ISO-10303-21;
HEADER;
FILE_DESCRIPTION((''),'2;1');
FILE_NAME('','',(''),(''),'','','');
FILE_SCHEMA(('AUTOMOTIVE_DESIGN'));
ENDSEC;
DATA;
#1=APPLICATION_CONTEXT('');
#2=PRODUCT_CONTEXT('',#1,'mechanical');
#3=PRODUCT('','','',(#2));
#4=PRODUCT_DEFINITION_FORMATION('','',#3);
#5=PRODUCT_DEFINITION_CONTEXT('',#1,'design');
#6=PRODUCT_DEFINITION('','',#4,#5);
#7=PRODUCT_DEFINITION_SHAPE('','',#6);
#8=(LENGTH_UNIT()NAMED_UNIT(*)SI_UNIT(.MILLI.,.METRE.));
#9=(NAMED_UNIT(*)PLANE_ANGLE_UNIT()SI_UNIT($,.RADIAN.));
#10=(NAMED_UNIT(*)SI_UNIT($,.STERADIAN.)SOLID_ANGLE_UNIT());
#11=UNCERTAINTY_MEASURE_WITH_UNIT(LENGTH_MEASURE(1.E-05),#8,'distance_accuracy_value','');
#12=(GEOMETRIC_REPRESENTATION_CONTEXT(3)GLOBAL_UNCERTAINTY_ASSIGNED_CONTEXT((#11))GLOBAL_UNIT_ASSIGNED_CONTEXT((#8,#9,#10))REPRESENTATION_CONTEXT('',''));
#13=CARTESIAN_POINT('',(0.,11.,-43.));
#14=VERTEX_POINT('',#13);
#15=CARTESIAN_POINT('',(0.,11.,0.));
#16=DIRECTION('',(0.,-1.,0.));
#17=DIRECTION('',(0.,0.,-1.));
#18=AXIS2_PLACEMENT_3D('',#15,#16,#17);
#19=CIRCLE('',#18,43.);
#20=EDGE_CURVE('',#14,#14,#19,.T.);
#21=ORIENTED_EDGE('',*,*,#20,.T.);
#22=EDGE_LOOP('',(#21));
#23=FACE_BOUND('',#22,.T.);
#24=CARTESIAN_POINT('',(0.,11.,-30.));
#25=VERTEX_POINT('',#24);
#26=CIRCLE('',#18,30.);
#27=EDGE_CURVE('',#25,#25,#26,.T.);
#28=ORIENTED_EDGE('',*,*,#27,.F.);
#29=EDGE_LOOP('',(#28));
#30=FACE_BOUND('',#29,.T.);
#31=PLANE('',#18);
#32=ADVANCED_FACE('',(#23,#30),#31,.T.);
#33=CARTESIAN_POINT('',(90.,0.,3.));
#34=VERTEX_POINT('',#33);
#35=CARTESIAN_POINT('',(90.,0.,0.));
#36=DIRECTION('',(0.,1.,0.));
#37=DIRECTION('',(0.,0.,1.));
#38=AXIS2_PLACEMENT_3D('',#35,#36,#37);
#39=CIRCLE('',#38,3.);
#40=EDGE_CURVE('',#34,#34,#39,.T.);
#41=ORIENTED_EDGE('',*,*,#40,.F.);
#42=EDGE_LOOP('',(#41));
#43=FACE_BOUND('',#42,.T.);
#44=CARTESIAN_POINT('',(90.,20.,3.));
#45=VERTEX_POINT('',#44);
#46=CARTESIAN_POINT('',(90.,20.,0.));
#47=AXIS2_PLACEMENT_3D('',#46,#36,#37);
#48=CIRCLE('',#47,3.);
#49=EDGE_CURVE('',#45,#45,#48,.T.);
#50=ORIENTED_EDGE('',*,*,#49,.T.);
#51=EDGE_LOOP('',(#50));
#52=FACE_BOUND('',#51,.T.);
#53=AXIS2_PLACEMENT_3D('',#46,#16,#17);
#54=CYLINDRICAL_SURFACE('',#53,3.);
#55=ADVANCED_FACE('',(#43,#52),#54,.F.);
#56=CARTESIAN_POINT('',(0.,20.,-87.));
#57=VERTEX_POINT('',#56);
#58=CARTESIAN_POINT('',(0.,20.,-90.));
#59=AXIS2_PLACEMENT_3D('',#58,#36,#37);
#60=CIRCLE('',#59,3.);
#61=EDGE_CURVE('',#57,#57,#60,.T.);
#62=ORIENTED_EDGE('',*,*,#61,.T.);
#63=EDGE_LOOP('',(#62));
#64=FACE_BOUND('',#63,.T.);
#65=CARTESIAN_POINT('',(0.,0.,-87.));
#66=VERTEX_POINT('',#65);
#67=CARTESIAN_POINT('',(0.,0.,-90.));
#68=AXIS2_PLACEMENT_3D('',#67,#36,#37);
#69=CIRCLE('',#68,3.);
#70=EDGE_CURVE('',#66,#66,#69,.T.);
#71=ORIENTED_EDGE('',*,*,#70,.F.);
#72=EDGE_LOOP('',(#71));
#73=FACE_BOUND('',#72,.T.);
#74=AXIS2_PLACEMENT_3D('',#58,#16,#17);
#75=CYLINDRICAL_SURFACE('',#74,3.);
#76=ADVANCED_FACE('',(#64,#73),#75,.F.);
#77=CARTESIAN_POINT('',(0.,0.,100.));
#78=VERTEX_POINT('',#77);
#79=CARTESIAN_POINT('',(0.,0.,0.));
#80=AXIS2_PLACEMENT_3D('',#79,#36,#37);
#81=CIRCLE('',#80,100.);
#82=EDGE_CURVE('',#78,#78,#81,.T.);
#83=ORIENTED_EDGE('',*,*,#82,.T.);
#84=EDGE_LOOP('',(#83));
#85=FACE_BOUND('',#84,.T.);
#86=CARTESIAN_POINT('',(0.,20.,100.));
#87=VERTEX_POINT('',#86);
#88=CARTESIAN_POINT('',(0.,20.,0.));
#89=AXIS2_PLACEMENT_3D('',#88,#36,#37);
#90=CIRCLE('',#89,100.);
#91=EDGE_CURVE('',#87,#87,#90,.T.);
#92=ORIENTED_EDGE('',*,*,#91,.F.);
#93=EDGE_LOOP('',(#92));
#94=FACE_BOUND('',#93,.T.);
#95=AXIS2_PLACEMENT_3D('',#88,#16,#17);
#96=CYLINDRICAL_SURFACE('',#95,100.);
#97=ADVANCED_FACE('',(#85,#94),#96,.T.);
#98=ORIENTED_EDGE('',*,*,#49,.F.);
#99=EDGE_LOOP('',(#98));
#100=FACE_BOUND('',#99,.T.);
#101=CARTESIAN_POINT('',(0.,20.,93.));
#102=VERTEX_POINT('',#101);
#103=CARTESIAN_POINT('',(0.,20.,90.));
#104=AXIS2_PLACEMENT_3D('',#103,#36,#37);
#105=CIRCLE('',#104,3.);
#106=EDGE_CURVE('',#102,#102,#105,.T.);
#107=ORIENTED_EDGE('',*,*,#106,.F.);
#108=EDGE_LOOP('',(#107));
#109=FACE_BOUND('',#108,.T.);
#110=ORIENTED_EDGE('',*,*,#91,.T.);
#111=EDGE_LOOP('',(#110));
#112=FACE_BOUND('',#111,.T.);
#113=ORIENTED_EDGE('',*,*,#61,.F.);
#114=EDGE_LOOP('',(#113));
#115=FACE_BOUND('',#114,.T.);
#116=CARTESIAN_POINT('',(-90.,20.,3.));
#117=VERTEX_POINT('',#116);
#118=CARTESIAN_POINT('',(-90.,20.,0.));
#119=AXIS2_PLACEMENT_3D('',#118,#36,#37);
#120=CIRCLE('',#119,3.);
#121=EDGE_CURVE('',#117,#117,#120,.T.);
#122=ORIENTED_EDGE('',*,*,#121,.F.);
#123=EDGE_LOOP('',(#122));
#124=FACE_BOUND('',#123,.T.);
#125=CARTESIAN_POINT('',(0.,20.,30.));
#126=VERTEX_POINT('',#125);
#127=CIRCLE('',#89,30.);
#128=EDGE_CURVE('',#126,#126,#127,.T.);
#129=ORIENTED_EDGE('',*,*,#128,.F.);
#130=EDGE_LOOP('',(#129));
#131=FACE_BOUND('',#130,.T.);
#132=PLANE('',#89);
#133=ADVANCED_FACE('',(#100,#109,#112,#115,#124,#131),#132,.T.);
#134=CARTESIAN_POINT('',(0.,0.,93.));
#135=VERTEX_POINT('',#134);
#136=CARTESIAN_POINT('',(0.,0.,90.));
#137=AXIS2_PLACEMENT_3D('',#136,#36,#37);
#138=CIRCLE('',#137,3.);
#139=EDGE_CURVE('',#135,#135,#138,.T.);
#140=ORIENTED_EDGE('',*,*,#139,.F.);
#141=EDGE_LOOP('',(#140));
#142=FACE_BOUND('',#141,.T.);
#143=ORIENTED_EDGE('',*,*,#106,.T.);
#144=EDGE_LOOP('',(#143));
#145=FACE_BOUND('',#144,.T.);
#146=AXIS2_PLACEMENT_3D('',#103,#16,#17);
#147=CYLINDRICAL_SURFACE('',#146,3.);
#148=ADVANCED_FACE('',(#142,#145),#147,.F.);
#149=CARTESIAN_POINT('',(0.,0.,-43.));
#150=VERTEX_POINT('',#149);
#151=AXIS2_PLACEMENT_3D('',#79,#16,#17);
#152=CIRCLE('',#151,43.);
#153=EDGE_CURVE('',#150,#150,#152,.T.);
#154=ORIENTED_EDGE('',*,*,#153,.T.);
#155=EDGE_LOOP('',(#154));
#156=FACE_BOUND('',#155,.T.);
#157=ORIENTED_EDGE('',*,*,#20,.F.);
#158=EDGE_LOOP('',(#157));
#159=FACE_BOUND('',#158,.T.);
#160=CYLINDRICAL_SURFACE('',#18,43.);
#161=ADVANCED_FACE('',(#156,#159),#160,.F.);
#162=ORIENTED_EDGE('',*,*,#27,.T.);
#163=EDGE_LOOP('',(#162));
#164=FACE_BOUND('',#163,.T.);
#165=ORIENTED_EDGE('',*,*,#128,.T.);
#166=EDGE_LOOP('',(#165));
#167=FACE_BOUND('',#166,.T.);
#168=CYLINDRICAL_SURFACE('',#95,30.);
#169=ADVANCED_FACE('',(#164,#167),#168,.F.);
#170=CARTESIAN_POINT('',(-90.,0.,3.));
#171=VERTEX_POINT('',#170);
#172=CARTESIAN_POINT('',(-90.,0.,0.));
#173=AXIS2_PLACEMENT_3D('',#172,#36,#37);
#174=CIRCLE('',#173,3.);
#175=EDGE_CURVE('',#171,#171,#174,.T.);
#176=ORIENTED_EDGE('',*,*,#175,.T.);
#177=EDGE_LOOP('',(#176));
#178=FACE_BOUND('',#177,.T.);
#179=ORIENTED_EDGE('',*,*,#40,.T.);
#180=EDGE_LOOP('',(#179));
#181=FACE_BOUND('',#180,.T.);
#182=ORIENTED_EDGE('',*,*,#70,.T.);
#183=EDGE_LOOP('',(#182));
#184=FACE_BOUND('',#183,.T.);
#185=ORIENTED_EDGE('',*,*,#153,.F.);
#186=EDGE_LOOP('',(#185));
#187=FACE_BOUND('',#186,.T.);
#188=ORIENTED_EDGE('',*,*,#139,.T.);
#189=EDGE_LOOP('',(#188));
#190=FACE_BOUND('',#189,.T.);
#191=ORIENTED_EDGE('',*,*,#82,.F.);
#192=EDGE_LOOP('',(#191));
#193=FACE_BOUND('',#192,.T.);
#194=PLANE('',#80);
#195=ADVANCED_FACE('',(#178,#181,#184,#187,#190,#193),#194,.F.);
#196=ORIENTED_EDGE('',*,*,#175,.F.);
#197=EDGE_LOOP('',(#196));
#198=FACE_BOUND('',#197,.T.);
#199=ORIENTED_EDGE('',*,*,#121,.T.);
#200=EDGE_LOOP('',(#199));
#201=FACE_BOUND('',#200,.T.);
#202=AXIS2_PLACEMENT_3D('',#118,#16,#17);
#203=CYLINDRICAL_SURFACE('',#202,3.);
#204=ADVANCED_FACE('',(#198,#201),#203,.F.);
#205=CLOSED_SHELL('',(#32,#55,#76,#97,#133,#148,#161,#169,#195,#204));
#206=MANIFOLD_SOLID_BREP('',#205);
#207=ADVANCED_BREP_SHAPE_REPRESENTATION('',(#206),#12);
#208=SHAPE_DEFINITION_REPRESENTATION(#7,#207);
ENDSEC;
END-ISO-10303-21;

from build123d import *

# Parameters (mm, degrees)
SKETCH_2_R          = 100
SKETCH_2_R_2        = 3
SKETCH_2_R_3        = 30
EXTRUDE_1_DEPTH     = 20
SKETCH_3_R          = 43
CUT_EXTRUDE_1_DEPTH = 11


with BuildPart() as part:
    # 草图2 → 凸台-拉伸1 (new body)
    with BuildSketch(Plane(origin=(0, 0, 0), x_dir=(1, 0, 0), z_dir=(0, 1, 0))):
        with Locations(Location((0, 0, 0), (0, 0, 270))):
            Circle(SKETCH_2_R)
        with Locations(Location((0, 90, 0), (0, 0, 270))):
            Circle(SKETCH_2_R_2, mode=Mode.SUBTRACT)
        with Locations(Location((90, 0, 0), (0, 0, 270))):
            Circle(SKETCH_2_R_2, mode=Mode.SUBTRACT)
        with Locations(Location((0, -90, 0), (0, 0, 270))):
            Circle(SKETCH_2_R_2, mode=Mode.SUBTRACT)
        with Locations(Location((-90, 0, 0), (0, 0, 270))):
            Circle(SKETCH_2_R_2, mode=Mode.SUBTRACT)
        with Locations(Location((0, 0, 0), (0, 0, 270))):
            Circle(SKETCH_2_R_3, mode=Mode.SUBTRACT)
    extrude(amount=EXTRUDE_1_DEPTH)

    # 草图3 → 切除-拉伸1 (cut)
    with BuildSketch(Plane.XZ):
        with Locations(Location((0, 0, 0), (0, 0, 270))):
            Circle(SKETCH_3_R)
    extrude(amount=-CUT_EXTRUDE_1_DEPTH, mode=Mode.SUBTRACT)


solid = part.part
